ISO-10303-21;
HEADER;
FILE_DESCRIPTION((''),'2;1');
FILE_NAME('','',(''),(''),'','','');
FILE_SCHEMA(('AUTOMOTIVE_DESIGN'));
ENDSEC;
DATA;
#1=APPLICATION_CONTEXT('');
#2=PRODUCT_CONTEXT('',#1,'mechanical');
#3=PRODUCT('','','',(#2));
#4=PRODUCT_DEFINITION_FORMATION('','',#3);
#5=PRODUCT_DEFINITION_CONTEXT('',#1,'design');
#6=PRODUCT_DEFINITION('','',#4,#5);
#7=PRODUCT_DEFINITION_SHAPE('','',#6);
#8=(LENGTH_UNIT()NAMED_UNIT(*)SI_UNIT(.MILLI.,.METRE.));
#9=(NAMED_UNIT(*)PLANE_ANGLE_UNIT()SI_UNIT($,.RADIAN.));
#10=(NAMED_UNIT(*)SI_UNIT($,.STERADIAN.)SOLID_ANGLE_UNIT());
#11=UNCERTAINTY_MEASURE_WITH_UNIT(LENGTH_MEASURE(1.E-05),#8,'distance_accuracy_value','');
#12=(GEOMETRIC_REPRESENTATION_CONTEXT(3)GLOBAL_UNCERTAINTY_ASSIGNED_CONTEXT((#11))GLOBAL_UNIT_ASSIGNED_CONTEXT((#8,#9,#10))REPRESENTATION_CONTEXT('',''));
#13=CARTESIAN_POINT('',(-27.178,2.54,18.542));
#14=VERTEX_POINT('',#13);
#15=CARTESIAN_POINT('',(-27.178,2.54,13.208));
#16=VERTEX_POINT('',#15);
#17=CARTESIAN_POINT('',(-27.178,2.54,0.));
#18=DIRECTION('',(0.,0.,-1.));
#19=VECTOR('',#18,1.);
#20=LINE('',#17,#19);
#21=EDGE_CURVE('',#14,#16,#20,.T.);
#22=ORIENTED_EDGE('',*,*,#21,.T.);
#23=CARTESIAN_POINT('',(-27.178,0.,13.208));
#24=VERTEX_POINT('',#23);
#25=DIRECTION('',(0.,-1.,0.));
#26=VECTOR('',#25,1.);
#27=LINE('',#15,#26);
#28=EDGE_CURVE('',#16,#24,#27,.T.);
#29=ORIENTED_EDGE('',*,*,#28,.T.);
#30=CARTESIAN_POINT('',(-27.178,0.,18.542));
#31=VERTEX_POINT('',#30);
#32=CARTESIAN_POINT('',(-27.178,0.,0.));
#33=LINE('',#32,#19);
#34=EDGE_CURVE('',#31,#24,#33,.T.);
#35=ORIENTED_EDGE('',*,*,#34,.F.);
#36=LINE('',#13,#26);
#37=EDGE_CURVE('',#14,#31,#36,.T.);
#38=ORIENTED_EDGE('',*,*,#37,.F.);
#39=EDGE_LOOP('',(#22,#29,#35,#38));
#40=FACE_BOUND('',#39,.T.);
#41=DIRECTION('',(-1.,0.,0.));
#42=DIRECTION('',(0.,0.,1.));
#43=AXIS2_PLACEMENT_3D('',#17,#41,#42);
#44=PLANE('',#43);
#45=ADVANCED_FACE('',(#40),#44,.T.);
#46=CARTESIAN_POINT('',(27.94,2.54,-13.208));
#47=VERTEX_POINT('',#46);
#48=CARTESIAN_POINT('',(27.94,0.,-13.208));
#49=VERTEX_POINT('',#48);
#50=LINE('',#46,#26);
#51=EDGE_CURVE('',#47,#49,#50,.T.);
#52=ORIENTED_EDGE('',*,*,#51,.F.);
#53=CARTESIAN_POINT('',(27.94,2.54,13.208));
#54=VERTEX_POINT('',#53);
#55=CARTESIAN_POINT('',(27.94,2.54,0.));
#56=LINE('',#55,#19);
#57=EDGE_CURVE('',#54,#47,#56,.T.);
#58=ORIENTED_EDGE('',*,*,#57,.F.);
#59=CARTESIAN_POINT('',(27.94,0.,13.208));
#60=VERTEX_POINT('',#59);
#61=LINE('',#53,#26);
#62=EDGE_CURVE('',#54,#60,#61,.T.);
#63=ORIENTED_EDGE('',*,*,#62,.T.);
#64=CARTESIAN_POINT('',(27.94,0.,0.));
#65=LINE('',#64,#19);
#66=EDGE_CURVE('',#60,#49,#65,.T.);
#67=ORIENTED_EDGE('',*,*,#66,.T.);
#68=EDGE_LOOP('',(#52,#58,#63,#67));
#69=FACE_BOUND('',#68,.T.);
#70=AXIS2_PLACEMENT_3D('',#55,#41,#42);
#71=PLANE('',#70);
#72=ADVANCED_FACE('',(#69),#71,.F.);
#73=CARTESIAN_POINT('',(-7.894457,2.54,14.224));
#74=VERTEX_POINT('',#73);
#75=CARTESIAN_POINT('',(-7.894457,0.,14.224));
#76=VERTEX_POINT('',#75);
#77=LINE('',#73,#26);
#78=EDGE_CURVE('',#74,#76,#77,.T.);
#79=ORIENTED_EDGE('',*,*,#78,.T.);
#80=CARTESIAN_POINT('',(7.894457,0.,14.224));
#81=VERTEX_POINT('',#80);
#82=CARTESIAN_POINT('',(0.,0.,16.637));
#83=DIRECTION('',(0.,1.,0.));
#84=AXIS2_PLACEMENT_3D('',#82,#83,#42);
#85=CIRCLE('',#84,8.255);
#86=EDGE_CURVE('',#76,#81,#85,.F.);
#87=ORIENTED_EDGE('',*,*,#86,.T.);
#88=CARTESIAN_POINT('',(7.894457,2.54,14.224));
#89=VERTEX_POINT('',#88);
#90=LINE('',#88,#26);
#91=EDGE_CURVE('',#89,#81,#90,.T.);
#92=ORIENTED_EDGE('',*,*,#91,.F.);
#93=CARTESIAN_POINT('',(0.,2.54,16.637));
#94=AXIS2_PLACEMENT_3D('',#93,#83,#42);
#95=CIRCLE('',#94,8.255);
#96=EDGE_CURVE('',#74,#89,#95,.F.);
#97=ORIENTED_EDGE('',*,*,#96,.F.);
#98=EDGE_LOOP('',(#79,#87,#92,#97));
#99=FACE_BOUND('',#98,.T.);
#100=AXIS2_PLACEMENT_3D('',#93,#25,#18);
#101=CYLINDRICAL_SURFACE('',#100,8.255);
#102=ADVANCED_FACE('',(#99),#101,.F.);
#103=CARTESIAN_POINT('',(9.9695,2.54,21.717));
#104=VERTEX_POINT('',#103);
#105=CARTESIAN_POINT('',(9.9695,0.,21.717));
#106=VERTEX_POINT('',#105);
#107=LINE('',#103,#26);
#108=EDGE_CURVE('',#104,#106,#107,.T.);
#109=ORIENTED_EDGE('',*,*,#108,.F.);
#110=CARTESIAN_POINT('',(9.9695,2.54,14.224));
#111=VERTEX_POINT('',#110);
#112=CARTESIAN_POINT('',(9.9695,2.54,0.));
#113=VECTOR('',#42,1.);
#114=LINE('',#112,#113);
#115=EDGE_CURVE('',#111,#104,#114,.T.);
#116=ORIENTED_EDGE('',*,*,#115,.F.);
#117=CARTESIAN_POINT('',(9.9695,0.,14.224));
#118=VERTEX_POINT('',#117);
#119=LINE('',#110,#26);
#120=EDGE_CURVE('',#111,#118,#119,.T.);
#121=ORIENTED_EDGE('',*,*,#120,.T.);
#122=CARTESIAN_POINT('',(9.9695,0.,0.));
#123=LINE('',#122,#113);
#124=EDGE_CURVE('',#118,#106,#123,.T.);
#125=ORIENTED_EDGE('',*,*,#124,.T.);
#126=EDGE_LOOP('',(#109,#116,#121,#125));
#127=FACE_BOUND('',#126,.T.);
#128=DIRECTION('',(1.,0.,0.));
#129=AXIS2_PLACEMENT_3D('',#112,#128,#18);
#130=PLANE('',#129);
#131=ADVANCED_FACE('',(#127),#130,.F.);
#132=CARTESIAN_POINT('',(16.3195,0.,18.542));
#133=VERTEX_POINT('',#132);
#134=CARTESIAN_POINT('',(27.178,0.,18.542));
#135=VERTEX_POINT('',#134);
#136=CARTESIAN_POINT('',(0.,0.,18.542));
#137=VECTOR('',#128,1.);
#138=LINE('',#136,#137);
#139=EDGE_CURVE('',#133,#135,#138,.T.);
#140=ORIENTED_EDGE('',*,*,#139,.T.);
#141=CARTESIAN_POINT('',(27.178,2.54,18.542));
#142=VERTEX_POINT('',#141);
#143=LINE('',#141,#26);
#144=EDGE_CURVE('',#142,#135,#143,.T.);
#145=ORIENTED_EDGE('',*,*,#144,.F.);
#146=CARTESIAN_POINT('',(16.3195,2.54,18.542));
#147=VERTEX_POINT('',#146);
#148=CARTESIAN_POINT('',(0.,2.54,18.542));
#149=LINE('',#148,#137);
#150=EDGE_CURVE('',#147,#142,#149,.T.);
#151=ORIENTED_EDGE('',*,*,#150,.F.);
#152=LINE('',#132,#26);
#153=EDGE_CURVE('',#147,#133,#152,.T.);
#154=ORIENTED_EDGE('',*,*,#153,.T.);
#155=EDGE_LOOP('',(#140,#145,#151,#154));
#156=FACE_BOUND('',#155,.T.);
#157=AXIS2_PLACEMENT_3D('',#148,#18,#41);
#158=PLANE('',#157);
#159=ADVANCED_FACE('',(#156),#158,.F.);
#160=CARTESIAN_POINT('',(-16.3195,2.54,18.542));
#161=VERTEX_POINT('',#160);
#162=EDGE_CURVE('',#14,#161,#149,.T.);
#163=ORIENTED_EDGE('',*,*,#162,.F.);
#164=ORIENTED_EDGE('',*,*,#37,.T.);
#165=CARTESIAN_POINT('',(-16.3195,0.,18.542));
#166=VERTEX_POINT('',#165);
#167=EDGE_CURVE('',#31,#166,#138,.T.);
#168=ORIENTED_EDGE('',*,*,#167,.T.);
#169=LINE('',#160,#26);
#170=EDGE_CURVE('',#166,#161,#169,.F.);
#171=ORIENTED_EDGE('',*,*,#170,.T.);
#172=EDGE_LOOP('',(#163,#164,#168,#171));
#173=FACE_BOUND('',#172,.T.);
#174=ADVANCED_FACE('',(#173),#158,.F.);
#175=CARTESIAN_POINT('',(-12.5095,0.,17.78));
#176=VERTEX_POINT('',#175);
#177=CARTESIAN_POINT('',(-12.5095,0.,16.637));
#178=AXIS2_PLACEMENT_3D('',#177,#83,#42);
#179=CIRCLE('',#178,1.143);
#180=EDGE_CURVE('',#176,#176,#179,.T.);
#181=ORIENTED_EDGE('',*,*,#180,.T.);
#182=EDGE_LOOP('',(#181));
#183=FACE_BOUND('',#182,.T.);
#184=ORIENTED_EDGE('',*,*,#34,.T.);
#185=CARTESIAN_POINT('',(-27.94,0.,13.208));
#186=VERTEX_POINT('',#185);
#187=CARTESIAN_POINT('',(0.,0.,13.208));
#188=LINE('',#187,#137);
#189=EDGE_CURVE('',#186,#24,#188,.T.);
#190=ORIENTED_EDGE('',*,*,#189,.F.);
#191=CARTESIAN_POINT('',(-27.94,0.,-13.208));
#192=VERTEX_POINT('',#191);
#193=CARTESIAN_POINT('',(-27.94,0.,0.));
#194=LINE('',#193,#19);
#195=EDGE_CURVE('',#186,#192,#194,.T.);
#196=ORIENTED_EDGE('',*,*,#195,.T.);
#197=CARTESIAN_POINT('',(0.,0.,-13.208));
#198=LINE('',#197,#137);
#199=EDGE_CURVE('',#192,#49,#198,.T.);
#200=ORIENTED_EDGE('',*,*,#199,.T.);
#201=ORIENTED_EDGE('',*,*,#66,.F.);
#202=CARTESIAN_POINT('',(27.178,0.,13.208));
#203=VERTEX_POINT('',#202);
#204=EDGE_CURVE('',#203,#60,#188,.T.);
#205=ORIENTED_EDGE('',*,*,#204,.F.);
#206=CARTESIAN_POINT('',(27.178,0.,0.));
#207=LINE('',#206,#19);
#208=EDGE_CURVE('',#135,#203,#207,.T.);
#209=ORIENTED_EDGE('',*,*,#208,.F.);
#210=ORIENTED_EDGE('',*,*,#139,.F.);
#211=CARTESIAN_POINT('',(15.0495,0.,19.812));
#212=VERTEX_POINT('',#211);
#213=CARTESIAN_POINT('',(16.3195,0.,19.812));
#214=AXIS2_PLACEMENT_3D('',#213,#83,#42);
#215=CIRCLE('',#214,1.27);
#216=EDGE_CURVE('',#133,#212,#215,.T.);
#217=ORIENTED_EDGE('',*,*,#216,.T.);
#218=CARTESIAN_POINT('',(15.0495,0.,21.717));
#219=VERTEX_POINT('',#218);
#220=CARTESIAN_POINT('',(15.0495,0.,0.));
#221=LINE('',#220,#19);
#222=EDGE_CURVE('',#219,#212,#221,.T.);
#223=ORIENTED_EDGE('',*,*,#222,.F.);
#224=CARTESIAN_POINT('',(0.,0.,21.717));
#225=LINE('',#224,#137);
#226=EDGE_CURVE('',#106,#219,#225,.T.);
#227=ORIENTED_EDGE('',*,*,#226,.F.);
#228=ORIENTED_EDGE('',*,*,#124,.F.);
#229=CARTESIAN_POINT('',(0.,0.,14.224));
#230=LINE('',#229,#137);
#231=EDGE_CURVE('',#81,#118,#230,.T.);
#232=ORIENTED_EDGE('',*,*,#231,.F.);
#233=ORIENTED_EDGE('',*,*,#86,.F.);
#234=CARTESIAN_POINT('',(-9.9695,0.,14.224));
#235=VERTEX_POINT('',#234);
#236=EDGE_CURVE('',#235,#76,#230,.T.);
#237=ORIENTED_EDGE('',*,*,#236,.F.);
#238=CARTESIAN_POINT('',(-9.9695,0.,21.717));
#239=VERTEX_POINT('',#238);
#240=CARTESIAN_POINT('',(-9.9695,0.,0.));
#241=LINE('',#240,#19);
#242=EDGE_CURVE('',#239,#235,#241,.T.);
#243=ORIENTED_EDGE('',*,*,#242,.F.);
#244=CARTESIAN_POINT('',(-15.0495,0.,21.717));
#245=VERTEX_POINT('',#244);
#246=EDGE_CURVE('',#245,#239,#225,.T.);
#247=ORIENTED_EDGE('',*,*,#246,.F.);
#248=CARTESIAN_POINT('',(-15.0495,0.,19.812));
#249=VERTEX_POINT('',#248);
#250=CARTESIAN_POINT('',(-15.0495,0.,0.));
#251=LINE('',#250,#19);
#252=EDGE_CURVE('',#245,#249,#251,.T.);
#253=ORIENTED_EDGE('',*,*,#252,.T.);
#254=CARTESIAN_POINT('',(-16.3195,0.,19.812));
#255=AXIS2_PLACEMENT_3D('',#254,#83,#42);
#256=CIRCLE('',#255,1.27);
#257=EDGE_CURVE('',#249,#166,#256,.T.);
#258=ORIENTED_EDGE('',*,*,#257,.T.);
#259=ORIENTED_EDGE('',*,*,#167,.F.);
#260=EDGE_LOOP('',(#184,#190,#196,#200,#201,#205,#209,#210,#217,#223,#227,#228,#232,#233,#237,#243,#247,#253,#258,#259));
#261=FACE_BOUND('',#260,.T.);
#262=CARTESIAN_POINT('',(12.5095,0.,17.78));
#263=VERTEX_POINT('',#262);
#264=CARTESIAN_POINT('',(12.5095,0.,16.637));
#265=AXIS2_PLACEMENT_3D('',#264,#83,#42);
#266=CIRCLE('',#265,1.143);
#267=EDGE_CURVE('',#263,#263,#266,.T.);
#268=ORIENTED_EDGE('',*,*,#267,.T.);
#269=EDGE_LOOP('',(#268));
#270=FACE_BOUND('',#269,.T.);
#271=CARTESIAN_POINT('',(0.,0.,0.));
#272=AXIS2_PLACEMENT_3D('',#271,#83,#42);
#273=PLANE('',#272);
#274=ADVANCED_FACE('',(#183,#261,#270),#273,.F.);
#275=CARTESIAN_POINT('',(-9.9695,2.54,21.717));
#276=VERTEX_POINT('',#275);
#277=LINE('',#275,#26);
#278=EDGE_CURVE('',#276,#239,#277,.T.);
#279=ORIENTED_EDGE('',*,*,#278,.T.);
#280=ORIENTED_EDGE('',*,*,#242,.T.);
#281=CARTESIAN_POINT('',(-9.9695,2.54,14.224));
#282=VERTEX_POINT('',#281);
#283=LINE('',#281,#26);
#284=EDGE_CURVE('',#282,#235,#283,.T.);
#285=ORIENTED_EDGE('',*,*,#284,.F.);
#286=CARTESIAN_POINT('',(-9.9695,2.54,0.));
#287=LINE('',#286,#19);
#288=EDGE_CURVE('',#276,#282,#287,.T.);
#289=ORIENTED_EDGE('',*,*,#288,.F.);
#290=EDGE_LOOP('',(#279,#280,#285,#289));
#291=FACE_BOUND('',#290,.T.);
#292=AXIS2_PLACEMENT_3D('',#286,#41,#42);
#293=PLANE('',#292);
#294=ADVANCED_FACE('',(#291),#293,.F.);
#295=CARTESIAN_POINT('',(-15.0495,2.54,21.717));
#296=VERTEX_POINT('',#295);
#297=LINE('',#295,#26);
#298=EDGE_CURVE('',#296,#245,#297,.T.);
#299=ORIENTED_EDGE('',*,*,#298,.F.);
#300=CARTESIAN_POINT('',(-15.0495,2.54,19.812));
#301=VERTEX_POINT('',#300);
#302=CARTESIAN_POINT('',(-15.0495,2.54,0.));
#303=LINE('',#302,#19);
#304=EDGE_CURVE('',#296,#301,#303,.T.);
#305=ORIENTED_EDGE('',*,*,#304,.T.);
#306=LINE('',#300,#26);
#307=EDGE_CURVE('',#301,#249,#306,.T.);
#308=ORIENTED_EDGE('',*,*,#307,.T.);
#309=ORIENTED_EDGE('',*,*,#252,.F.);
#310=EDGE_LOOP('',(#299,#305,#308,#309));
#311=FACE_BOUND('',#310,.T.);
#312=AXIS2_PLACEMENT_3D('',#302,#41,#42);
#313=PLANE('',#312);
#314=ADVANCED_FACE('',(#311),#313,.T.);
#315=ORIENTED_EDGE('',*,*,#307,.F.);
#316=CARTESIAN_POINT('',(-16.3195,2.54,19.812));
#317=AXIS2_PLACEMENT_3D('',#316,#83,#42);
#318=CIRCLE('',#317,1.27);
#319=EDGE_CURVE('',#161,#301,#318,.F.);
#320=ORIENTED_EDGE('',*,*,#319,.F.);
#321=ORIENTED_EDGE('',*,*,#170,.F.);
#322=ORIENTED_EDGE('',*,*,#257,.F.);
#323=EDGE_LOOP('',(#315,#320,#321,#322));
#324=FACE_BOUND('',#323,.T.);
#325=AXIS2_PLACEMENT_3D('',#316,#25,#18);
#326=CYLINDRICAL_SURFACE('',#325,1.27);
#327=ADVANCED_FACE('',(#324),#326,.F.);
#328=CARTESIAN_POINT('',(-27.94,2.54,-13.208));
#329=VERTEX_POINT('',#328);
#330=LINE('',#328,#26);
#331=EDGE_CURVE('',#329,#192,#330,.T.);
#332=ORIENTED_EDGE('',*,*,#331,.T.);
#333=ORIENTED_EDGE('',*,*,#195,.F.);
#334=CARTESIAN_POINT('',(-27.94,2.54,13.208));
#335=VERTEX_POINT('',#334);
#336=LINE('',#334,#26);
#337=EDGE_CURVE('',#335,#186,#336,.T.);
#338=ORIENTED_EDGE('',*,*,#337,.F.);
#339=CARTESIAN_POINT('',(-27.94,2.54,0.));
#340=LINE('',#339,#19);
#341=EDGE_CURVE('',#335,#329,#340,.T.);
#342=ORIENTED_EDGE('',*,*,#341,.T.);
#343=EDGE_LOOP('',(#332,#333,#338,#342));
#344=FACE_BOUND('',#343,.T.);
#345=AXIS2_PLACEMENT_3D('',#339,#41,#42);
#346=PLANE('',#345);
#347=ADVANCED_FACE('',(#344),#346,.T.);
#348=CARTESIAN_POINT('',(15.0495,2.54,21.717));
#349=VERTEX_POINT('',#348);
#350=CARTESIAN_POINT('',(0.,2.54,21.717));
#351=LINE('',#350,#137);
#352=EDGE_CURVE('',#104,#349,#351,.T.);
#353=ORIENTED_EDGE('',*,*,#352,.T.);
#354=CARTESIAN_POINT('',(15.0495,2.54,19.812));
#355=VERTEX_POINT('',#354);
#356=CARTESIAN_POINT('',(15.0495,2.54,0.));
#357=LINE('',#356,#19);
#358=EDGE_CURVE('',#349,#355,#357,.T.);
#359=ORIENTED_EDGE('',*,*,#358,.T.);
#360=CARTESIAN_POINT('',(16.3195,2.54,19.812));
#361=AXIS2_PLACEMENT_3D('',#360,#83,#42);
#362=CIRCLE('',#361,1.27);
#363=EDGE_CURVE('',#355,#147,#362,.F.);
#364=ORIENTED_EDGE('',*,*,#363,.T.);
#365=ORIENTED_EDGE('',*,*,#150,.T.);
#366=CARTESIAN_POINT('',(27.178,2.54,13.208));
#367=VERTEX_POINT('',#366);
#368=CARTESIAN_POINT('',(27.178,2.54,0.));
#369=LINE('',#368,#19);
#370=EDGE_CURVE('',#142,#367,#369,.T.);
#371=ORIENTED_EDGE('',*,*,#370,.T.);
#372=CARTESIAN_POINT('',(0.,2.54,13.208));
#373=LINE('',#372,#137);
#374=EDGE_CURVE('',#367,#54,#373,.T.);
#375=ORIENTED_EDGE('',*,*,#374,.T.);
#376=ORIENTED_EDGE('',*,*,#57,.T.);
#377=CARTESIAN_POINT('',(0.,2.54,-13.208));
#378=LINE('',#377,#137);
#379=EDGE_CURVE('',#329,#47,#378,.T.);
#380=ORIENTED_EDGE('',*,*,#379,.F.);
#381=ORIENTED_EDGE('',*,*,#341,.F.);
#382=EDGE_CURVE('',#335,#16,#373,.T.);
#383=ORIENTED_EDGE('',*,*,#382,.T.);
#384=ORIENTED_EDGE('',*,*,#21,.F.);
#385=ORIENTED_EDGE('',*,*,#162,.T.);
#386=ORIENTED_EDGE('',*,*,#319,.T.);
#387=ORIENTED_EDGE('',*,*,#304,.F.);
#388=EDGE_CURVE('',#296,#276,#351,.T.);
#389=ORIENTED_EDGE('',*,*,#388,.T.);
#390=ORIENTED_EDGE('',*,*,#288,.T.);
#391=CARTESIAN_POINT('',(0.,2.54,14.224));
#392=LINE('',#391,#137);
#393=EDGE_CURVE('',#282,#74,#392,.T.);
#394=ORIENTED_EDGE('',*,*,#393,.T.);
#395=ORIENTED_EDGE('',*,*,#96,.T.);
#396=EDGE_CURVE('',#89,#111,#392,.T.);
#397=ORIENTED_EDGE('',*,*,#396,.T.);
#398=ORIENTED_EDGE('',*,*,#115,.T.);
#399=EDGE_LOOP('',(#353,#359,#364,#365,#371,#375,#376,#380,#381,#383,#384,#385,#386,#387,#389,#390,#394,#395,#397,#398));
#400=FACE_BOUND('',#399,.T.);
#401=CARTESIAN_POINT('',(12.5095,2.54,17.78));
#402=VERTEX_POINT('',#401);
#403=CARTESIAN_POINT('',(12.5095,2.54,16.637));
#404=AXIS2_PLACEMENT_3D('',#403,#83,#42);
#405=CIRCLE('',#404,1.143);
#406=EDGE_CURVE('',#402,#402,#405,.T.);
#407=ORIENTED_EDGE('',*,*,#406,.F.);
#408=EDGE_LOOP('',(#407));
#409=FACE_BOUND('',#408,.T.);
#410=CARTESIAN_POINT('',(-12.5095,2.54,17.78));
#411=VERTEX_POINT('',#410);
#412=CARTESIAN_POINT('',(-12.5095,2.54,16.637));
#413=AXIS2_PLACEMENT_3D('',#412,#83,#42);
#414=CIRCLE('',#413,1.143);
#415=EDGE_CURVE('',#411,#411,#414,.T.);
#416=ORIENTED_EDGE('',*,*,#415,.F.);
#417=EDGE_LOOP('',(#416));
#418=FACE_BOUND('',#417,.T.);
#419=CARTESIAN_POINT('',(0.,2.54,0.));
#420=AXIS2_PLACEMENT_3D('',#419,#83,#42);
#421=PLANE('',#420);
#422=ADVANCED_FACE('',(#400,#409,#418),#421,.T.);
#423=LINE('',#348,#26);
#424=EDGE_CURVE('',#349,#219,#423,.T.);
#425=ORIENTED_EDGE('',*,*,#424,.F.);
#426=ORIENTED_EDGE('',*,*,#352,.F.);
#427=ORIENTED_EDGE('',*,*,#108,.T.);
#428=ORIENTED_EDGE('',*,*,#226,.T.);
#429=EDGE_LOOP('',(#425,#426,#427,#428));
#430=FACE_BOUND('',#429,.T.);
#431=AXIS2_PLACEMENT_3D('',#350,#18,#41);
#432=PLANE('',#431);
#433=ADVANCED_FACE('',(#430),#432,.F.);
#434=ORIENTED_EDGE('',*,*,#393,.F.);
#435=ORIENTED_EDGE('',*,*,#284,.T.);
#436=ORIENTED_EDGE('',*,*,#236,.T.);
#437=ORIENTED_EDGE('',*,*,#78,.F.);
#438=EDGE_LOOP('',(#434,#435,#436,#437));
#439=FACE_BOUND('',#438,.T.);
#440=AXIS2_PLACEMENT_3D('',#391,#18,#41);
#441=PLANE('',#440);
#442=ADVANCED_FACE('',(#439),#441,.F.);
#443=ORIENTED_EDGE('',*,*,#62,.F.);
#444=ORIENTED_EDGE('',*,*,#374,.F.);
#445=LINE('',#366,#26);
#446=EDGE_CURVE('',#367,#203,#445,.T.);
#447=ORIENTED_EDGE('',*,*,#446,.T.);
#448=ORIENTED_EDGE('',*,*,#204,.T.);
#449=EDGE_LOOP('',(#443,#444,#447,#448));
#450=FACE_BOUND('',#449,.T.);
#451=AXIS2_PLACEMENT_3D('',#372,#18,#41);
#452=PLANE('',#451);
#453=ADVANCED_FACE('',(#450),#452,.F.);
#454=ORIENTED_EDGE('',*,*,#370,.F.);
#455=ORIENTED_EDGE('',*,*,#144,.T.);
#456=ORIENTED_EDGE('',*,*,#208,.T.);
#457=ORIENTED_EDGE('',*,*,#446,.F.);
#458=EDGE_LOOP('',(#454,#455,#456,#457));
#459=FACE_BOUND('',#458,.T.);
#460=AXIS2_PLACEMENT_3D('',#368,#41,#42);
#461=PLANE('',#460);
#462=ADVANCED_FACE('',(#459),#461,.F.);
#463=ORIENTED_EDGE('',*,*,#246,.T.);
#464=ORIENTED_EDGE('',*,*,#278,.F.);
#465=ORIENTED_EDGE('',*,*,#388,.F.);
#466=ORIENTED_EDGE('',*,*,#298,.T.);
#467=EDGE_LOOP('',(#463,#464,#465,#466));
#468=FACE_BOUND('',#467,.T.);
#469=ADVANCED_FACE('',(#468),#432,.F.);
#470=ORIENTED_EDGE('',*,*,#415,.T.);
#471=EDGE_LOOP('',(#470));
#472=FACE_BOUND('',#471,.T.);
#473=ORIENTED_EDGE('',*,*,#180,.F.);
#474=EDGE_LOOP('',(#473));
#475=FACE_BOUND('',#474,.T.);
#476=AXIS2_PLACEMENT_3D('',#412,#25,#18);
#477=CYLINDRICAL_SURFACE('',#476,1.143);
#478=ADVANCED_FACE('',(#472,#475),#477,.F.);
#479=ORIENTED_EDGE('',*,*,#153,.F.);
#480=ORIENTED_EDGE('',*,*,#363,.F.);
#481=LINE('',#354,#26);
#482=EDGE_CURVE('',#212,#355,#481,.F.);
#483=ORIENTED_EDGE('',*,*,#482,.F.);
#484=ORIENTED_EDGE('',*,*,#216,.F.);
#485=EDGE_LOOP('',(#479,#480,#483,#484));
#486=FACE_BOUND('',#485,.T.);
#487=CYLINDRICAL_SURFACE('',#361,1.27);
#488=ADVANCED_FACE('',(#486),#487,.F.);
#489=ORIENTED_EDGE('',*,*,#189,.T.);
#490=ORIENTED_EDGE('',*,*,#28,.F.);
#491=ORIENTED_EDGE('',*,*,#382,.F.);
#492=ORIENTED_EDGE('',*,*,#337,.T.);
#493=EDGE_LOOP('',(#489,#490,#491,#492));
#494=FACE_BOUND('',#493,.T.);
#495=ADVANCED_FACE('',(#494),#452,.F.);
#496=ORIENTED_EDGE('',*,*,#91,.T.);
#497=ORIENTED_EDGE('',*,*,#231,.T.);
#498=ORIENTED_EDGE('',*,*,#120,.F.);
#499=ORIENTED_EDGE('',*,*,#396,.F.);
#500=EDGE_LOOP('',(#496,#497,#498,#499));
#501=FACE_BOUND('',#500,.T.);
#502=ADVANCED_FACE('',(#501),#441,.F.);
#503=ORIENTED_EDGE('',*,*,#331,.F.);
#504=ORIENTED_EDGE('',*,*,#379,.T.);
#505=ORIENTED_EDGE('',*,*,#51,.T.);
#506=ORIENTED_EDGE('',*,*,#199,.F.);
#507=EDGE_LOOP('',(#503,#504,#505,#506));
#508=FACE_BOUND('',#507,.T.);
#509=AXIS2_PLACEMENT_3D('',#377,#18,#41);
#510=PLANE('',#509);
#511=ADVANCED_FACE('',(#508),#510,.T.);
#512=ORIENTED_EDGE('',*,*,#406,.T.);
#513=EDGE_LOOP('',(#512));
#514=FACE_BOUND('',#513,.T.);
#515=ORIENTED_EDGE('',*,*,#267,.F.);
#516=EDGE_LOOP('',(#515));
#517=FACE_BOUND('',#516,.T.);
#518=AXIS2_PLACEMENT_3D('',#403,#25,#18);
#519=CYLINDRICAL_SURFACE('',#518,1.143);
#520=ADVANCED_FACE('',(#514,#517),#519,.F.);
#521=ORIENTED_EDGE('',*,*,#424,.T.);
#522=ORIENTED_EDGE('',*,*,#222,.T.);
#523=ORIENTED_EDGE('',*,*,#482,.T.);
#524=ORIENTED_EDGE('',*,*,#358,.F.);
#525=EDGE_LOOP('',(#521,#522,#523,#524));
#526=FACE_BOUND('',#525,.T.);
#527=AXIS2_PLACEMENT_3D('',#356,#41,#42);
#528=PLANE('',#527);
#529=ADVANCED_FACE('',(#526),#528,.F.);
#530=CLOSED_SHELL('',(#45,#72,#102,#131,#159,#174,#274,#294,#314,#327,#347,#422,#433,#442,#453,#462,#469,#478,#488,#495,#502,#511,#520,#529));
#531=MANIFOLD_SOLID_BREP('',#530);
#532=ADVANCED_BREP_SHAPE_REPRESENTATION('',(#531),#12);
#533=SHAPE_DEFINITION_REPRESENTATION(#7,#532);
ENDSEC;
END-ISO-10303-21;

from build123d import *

# Parameters (mm, degrees)
SKETCH1_R           = 1.143
SKETCH1_W           = 5.08
SKETCH1_H           = 3.175
BOSS_EXTRUDE1_DEPTH = 2.54
FILLET1_R           = 1.27


with BuildPart() as part:
    # Sketch1 → Boss-Extrude1 (new body)
    with BuildSketch(Plane(origin=(0, 0, 0), x_dir=(1, 0, 0), z_dir=(0, 1, 0))):
        with BuildLine():
            Line((-27.94, 13.208), (-27.94, -13.208))
            Line((-27.94, -13.208), (-27.178, -13.208))
            Line((-27.178, -13.208), (-7.509126714, -13.208))
            ThreePointArc((-7.509126714, -13.208), (0, -8.382), (7.509126714, -13.208))
            Line((7.509126714, -13.208), (27.178, -13.208))
            Line((27.178, -13.208), (27.94, -13.208))
            Line((27.94, -13.208), (27.94, 13.208))
            Line((27.94, 13.208), (-27.94, 13.208))
        make_face()
        with BuildLine():
            Line((-7.509126714, -13.208), (-27.178, -13.208))
            Line((-27.178, -13.208), (-27.178, -18.542))
            Line((-27.178, -18.542), (-15.0495, -18.542))
            Line((-15.0495, -18.542), (-9.9695, -18.542))
            Line((-9.9695, -18.542), (-9.9695, -14.224))
            Line((-9.9695, -14.224), (-7.894457296, -14.224))
            ThreePointArc((-7.894457296, -14.224), (-7.718527326, -13.709652922), (-7.509126714, -13.208))
        make_face()
        with Locations((-12.5095, -16.637)):
            Circle(SKETCH1_R, mode=Mode.SUBTRACT)
        with BuildLine():
            Line((27.178, -13.208), (7.509126714, -13.208))
            ThreePointArc((7.509126714, -13.208), (7.718527326, -13.709652922), (7.894457296, -14.224))
            Line((7.894457296, -14.224), (9.9695, -14.224))
            Line((9.9695, -14.224), (9.9695, -18.542))
            Line((9.9695, -18.542), (15.0495, -18.542))
            Line((15.0495, -18.542), (27.178, -18.542))
            Line((27.178, -18.542), (27.178, -13.208))
        make_face()
        with Locations((12.5095, -16.637)):
            Circle(SKETCH1_R, mode=Mode.SUBTRACT)
        with Locations((-12.5095, -20.1295)):
            Rectangle(SKETCH1_W, SKETCH1_H)
        with Locations((12.5095, -20.1295)):
            Rectangle(SKETCH1_W, SKETCH1_H)
    extrude(amount=BOSS_EXTRUDE1_DEPTH)

    # Fillet1
    fillet1_edges = [part.edges().sort_by_distance(p)[0] for p in [
        (15.0495, 1.27, 18.542),
        (-15.0495, 1.27, 18.542),
    ]]
    fillet(fillet1_edges, radius=FILLET1_R)


solid = part.part
